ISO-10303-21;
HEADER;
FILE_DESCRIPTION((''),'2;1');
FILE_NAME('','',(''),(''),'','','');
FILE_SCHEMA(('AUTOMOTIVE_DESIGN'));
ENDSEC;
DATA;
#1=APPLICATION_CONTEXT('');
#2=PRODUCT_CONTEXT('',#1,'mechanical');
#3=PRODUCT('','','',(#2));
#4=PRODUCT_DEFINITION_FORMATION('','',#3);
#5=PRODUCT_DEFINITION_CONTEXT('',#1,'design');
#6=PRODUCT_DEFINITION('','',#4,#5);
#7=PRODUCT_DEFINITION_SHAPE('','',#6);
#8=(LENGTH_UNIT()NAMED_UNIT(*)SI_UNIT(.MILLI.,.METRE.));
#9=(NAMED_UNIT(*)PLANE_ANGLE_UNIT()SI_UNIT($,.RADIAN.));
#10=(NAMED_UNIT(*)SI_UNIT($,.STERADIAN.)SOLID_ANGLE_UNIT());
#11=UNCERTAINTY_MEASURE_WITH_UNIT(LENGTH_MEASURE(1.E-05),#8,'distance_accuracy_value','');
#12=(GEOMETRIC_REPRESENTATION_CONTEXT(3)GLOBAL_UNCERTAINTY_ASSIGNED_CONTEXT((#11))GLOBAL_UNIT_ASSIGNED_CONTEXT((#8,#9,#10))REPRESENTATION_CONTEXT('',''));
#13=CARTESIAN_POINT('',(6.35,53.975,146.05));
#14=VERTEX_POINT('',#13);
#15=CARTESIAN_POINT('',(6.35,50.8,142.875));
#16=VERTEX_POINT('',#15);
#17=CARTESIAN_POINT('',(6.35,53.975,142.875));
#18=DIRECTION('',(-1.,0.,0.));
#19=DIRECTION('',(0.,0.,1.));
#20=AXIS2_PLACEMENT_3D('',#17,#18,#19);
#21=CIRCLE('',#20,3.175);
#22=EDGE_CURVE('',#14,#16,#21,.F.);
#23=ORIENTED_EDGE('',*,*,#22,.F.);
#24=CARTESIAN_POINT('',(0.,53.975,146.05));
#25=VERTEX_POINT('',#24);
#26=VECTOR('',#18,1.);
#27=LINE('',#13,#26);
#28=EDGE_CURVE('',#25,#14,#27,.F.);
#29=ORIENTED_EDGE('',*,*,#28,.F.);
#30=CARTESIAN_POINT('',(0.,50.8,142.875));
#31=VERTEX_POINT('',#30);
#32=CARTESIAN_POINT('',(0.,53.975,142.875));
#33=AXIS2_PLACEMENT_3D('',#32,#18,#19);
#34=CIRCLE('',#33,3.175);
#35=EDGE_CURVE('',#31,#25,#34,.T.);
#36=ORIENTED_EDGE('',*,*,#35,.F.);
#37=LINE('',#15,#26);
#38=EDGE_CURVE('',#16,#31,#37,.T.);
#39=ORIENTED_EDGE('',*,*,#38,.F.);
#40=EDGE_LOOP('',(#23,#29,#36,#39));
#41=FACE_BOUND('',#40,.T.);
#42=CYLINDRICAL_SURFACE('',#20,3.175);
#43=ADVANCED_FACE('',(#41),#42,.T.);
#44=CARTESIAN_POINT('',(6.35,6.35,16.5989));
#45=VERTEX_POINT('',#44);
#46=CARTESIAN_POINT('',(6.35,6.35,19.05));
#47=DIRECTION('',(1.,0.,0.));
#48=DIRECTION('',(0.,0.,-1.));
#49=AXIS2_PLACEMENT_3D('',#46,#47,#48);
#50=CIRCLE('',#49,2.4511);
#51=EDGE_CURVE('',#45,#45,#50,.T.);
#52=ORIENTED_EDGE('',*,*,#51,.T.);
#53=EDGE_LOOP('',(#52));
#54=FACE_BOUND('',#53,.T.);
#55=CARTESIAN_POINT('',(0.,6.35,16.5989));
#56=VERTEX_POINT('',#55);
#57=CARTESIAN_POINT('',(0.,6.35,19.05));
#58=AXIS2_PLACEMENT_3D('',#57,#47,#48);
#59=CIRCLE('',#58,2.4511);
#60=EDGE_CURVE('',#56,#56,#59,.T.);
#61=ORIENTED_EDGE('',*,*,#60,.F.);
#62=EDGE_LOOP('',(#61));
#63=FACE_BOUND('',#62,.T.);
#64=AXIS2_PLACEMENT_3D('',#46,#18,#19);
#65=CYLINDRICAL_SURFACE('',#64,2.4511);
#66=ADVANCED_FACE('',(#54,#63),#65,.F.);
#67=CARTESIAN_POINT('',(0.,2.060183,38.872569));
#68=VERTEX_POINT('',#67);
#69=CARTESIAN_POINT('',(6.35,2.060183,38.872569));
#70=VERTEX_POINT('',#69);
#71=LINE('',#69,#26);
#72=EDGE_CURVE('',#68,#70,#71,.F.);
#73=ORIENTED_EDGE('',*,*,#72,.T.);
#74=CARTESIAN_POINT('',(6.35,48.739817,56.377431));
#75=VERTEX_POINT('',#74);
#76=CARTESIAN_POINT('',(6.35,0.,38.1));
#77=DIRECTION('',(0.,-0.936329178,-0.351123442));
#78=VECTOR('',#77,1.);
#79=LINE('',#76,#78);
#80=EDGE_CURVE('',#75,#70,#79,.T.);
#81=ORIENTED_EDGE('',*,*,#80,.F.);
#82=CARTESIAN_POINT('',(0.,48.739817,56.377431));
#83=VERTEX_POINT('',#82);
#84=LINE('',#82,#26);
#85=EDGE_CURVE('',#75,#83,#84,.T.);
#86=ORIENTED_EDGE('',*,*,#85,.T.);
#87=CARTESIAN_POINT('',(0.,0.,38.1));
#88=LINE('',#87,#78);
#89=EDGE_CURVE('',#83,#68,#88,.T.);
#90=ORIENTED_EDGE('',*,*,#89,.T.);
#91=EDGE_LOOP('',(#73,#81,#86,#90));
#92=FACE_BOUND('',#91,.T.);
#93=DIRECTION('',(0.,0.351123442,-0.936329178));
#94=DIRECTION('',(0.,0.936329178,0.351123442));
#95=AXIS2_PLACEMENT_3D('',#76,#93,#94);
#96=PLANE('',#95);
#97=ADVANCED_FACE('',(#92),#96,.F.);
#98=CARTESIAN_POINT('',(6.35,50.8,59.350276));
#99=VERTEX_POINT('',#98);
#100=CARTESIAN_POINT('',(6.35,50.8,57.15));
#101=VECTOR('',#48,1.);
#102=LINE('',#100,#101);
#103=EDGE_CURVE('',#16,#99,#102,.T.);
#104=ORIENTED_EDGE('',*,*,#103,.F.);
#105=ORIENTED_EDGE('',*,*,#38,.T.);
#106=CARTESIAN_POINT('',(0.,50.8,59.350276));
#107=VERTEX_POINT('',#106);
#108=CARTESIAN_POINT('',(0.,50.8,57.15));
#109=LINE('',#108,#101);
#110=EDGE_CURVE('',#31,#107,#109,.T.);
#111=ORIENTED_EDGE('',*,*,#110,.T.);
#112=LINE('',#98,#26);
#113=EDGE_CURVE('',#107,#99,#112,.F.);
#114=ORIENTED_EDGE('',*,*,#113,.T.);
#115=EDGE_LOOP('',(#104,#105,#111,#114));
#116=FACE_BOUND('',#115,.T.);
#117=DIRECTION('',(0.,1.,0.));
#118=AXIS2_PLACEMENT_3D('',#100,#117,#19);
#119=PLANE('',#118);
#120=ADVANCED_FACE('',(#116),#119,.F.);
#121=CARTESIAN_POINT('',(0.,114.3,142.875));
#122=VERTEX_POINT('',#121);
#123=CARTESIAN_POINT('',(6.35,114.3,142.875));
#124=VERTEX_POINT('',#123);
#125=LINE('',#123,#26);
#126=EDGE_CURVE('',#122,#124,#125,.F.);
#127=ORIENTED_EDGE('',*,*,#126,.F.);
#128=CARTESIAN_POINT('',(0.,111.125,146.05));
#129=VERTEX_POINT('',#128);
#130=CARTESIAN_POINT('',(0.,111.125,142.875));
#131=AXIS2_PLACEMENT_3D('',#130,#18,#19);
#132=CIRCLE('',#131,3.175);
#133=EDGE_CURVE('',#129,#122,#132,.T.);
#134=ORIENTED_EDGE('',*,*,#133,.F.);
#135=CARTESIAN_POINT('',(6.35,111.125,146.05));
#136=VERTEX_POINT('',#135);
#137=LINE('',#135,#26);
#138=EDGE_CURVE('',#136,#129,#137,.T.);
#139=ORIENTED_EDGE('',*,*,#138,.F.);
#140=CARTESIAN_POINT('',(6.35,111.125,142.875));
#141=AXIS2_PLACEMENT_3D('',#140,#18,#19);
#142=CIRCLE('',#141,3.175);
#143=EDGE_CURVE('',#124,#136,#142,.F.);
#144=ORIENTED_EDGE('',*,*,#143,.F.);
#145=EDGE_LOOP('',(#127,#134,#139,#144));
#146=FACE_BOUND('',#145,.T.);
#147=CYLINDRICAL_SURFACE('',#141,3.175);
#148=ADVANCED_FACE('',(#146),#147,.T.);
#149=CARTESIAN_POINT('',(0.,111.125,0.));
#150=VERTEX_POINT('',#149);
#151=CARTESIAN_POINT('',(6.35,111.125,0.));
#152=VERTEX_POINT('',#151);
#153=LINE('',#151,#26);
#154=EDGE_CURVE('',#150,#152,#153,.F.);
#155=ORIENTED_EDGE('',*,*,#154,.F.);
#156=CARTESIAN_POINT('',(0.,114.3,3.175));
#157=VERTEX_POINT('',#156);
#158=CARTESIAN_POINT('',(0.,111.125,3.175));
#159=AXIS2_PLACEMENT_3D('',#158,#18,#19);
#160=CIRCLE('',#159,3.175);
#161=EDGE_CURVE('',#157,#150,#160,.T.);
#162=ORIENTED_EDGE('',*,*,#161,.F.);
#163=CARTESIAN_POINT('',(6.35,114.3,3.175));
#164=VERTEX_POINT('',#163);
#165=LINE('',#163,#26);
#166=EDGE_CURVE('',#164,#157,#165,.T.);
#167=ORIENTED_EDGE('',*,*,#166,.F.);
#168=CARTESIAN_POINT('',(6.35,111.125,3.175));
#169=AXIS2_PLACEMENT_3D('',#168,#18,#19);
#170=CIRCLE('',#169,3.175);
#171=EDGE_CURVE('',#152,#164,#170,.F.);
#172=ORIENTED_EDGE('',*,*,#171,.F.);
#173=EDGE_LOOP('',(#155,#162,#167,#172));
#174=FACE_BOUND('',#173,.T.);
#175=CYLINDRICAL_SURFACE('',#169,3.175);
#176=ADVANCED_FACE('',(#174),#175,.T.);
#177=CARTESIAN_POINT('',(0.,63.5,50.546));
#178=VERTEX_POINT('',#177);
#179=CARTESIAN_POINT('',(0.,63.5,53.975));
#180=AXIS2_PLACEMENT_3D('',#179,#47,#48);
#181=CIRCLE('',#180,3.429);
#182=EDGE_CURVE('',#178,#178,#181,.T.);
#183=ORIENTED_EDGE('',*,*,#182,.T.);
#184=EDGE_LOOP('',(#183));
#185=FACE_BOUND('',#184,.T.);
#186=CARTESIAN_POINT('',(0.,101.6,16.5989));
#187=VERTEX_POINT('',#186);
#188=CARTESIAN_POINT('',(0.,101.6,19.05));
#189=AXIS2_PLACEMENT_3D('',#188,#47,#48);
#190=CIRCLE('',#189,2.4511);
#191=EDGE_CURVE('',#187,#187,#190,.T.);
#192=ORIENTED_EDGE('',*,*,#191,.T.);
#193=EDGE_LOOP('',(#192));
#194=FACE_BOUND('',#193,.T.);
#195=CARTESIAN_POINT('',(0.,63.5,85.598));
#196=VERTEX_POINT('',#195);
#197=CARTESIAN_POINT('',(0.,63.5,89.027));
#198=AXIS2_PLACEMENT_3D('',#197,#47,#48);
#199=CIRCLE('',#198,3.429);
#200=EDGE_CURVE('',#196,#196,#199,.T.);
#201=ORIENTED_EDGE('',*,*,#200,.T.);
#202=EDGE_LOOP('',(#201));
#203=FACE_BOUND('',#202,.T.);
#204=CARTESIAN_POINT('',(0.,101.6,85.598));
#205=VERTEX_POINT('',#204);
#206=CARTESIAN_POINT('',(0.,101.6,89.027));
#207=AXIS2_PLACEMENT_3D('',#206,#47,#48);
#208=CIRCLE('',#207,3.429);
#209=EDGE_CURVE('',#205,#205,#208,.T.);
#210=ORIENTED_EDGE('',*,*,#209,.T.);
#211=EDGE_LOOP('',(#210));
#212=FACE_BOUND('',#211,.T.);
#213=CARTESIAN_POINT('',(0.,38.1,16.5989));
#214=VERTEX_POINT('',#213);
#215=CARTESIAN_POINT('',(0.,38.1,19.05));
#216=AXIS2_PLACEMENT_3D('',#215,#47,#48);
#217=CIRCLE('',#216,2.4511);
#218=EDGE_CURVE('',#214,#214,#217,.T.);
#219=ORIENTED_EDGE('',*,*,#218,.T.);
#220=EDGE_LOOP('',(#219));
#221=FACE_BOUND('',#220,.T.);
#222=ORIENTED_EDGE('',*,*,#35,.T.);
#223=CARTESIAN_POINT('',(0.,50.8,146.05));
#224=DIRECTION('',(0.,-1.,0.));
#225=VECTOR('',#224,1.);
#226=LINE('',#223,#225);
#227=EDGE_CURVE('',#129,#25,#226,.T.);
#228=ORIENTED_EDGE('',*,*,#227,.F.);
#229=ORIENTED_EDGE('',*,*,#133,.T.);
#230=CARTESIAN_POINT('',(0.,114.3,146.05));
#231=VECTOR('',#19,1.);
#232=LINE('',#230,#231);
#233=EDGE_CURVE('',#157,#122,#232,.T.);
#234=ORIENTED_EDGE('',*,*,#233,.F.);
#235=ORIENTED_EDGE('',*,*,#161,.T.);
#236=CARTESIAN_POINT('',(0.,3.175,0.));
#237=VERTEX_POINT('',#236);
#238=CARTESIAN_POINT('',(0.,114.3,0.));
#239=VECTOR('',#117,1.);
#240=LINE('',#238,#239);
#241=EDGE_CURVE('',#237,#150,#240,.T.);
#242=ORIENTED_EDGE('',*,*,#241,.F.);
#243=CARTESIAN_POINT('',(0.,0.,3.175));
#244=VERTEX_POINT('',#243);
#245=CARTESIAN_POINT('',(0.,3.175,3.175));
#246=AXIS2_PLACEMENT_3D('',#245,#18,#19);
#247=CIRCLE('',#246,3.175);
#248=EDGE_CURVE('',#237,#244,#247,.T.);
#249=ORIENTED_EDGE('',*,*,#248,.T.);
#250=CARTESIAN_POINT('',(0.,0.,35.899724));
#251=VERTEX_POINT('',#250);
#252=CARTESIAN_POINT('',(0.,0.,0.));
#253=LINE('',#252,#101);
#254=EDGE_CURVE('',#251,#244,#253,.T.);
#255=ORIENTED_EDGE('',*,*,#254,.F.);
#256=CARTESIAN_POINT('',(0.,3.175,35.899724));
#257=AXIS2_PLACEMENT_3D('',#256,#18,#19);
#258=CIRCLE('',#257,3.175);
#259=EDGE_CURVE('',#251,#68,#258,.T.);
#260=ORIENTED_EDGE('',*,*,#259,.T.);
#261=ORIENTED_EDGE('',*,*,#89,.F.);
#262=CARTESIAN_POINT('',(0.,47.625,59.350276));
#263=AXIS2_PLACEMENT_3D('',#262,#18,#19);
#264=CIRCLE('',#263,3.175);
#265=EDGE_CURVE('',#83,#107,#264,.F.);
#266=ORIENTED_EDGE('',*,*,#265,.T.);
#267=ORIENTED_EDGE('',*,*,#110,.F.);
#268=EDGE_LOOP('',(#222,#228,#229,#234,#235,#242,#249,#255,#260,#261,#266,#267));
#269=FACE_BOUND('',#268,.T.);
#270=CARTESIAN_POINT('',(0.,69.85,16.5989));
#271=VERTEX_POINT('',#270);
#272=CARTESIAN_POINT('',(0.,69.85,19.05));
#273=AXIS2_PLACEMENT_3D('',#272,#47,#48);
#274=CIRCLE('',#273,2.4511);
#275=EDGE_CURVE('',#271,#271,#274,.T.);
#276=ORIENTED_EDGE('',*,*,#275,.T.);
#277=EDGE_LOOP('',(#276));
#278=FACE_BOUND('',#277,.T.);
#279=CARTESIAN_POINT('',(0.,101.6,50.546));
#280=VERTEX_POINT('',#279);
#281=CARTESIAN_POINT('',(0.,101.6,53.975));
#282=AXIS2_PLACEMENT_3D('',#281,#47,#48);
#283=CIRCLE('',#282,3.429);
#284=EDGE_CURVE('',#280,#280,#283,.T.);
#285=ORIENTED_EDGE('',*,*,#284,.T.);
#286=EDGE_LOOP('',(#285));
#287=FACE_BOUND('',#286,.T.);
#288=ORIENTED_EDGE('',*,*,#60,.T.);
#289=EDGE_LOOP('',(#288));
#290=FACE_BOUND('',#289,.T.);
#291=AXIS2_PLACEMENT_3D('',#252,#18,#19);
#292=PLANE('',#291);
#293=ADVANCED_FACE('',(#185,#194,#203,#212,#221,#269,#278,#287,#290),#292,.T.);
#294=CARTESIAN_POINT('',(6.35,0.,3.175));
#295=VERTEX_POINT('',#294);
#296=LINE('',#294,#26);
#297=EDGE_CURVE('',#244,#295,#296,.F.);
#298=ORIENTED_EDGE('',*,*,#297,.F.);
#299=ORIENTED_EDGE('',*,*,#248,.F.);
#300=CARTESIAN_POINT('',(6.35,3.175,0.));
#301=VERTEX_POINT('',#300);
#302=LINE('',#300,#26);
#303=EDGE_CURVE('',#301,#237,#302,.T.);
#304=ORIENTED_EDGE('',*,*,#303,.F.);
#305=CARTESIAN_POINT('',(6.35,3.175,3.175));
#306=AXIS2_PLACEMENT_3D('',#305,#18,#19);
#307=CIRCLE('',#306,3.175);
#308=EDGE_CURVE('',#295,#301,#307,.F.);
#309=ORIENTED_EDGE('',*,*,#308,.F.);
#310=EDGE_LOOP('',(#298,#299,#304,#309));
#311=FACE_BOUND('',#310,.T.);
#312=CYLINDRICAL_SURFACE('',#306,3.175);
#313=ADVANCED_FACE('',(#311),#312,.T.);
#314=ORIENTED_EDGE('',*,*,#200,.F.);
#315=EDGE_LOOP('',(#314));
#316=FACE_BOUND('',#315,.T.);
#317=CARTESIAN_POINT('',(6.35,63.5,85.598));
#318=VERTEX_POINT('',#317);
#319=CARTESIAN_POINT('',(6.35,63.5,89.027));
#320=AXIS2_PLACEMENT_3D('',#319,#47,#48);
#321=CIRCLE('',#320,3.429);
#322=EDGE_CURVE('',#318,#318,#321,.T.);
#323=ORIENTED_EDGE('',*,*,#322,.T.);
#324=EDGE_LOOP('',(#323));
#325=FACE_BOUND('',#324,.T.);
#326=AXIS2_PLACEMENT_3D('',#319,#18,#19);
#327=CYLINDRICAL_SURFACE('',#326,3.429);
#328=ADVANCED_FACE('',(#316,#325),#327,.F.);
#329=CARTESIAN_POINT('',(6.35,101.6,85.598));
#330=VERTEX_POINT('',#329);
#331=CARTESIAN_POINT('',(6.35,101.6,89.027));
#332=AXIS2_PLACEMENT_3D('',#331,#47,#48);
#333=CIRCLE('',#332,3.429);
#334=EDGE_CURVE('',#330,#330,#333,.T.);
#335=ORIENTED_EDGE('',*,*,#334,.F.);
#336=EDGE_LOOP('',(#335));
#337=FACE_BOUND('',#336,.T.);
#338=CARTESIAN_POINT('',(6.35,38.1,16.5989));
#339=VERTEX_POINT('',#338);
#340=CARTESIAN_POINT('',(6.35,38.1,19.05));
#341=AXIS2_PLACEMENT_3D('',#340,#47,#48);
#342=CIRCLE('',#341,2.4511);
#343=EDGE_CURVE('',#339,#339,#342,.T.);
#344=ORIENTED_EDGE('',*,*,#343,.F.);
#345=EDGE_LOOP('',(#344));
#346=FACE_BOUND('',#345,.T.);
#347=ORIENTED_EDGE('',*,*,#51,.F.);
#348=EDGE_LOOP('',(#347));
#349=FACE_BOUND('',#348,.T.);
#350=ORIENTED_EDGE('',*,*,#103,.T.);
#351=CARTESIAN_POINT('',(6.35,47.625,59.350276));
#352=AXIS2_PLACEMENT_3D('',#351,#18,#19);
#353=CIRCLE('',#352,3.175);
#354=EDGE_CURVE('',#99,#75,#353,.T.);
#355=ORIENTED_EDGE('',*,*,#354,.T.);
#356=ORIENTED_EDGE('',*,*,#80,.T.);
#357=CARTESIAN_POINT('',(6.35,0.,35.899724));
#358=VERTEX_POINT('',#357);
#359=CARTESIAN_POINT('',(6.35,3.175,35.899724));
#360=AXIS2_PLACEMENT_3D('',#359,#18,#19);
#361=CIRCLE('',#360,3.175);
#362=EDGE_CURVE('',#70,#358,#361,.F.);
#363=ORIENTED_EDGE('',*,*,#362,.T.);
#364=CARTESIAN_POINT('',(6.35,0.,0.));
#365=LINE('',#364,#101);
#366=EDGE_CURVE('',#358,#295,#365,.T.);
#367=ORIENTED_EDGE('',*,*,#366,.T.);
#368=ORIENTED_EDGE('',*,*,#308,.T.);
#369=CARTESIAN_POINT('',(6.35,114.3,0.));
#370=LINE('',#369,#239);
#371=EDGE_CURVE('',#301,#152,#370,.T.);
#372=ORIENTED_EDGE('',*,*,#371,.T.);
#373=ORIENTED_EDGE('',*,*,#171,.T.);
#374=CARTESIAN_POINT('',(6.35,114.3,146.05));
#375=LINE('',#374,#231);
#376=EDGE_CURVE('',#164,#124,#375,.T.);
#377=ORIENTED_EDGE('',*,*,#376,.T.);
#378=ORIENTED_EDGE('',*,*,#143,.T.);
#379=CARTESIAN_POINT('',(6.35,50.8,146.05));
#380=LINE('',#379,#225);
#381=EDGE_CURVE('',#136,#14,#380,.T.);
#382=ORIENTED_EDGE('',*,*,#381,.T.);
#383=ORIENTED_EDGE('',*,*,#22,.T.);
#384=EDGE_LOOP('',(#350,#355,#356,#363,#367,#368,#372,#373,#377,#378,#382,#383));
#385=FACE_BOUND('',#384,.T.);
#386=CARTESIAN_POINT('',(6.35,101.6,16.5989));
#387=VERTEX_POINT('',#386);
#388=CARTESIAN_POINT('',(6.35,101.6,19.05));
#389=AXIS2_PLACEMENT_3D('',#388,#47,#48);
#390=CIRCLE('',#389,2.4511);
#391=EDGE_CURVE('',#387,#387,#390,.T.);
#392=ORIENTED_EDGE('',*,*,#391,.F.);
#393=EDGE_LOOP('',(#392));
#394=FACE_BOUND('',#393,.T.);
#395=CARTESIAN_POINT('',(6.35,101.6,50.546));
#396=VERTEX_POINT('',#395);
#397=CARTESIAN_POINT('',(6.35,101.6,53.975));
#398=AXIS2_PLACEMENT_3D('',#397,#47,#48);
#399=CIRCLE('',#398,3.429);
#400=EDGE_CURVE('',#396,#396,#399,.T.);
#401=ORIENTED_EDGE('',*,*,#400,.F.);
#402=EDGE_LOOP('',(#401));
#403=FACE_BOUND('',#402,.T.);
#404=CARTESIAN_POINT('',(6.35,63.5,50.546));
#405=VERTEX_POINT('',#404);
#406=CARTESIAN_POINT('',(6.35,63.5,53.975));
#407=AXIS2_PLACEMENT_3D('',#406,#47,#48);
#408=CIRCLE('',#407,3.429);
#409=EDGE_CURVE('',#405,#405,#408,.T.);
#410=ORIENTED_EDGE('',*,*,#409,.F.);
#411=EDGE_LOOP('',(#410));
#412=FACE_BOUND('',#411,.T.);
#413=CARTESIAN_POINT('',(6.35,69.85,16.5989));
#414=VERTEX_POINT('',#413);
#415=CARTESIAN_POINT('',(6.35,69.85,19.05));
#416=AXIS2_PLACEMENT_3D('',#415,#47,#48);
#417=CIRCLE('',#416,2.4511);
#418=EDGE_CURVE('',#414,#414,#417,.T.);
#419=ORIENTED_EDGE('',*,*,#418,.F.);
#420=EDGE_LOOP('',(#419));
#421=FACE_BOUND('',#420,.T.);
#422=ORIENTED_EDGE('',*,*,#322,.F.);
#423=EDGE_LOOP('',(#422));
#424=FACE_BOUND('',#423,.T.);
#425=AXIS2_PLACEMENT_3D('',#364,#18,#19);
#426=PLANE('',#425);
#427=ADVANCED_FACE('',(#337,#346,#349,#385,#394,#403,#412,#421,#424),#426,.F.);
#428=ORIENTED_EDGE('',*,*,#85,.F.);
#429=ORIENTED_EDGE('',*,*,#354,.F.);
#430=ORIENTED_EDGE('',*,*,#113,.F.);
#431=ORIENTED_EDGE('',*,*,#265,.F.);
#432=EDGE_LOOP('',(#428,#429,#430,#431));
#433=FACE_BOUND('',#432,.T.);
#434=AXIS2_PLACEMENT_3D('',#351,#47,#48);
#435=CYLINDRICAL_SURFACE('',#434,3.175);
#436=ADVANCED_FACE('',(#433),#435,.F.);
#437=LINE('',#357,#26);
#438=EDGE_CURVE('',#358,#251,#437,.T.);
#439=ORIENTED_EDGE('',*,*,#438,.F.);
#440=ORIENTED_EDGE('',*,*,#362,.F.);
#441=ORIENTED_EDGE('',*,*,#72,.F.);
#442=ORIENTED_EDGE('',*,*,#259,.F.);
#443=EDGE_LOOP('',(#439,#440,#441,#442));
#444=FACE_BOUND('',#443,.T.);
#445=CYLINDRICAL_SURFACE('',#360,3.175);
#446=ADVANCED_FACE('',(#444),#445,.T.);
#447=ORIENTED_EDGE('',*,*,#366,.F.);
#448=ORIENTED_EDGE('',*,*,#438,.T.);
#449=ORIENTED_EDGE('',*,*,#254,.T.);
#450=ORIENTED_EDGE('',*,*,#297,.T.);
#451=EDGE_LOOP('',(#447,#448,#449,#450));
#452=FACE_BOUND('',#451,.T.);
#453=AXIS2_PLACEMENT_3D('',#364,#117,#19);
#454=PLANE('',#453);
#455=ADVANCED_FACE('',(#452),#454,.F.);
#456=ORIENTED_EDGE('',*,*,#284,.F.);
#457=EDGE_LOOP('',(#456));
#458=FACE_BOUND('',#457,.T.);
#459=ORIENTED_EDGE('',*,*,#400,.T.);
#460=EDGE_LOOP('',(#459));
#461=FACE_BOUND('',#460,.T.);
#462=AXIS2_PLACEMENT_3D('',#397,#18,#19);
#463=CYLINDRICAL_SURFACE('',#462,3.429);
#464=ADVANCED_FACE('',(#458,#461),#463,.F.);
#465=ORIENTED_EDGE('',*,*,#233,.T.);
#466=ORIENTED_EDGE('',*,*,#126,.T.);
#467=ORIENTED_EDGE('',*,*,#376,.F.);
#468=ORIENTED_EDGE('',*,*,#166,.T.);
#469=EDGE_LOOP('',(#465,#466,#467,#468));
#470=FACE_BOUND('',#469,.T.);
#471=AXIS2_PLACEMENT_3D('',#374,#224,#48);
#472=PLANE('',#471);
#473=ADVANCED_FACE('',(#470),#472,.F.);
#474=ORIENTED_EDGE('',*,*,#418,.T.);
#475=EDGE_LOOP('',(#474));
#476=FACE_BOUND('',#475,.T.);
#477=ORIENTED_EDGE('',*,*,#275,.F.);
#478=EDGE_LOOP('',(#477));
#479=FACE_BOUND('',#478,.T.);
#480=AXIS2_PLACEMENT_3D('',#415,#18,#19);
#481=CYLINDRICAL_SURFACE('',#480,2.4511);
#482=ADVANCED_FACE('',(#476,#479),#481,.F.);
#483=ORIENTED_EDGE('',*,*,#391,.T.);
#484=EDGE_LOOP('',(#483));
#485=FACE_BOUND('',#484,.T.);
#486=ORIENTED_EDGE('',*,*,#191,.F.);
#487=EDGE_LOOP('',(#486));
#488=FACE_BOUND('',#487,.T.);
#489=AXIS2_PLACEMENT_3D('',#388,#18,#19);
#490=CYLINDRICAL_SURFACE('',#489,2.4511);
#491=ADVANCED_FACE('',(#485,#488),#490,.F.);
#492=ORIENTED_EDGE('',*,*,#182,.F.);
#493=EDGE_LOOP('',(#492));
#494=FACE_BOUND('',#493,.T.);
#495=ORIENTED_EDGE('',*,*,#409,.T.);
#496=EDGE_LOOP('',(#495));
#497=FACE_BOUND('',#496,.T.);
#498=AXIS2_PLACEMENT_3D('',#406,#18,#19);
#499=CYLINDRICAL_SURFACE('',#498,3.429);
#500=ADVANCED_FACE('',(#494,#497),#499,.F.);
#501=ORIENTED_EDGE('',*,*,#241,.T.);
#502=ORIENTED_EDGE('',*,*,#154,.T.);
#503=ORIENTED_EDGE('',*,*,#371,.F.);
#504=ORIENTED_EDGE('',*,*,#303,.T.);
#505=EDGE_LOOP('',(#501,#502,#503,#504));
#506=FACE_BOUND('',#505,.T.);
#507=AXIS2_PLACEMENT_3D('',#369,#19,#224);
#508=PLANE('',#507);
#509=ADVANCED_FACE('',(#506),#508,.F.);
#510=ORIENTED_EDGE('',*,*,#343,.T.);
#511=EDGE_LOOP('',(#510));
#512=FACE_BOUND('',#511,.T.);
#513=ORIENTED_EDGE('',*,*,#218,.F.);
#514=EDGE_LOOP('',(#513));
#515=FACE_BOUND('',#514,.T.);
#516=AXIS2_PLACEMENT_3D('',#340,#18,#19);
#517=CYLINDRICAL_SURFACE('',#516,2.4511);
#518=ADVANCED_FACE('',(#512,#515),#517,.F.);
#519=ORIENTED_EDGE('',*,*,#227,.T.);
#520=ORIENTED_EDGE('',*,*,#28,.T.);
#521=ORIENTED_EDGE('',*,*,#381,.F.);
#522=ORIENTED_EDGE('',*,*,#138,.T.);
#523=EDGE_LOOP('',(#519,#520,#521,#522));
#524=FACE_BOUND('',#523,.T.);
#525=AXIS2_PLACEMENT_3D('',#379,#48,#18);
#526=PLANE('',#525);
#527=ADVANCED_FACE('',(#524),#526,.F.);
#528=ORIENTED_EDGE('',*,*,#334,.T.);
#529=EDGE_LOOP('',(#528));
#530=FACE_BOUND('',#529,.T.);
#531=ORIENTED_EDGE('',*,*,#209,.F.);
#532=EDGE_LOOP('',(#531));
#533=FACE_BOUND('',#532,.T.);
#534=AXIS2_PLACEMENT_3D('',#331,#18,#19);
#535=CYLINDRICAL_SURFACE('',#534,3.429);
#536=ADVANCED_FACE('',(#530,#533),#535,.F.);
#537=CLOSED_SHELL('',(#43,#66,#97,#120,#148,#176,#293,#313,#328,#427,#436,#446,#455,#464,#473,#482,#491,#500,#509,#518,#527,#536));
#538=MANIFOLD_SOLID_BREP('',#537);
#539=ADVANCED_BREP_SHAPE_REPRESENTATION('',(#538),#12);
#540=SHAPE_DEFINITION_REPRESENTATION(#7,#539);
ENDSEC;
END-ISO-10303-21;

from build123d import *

# Parameters (mm, degrees)
SKETCH1_R           = 2.4511
SKETCH1_R_2         = 3.429
BOSS_EXTRUDE1_DEPTH = 6.35
FILLET1_R           = 3.175


with BuildPart() as part:
    # Sketch1 → Boss-Extrude1 (new body)
    with BuildSketch(Plane(origin=(0, 0, 0), x_dir=(0, 0, -1), z_dir=(1, 0, 0))):
        Polygon((0, 0), (-38.1, 0), (-57.15, 50.8), (-146.05, 50.8), (-146.05, 114.3), (0, 114.3), align=None)
        with Locations((-19.05, 101.6)):
            Circle(SKETCH1_R, mode=Mode.SUBTRACT)
        with Locations((-19.05, 69.85)):
            Circle(SKETCH1_R, mode=Mode.SUBTRACT)
        with Locations((-19.05, 38.1)):
            Circle(SKETCH1_R, mode=Mode.SUBTRACT)
        with Locations((-19.05, 6.35)):
            Circle(SKETCH1_R, mode=Mode.SUBTRACT)
        with Locations((-53.975, 101.6)):
            Circle(SKETCH1_R_2, mode=Mode.SUBTRACT)
        with Locations((-89.027, 101.6)):
            Circle(SKETCH1_R_2, mode=Mode.SUBTRACT)
        with Locations((-89.027, 63.5)):
            Circle(SKETCH1_R_2, mode=Mode.SUBTRACT)
        with Locations((-53.975, 63.5)):
            Circle(SKETCH1_R_2, mode=Mode.SUBTRACT)
    extrude(amount=BOSS_EXTRUDE1_DEPTH)

    # Fillet1
    fillet1_edges = [part.edges().sort_by_distance(p)[0] for p in [
        (3.175, 0, 0),
        (3.175, 0, 38.1),
        (3.175, 50.8, 57.15),
        (3.175, 50.8, 146.05),
        (3.175, 114.3, 146.05),
        (3.175, 114.3, 0),
    ]]
    fillet(fillet1_edges, radius=FILLET1_R)


solid = part.part
